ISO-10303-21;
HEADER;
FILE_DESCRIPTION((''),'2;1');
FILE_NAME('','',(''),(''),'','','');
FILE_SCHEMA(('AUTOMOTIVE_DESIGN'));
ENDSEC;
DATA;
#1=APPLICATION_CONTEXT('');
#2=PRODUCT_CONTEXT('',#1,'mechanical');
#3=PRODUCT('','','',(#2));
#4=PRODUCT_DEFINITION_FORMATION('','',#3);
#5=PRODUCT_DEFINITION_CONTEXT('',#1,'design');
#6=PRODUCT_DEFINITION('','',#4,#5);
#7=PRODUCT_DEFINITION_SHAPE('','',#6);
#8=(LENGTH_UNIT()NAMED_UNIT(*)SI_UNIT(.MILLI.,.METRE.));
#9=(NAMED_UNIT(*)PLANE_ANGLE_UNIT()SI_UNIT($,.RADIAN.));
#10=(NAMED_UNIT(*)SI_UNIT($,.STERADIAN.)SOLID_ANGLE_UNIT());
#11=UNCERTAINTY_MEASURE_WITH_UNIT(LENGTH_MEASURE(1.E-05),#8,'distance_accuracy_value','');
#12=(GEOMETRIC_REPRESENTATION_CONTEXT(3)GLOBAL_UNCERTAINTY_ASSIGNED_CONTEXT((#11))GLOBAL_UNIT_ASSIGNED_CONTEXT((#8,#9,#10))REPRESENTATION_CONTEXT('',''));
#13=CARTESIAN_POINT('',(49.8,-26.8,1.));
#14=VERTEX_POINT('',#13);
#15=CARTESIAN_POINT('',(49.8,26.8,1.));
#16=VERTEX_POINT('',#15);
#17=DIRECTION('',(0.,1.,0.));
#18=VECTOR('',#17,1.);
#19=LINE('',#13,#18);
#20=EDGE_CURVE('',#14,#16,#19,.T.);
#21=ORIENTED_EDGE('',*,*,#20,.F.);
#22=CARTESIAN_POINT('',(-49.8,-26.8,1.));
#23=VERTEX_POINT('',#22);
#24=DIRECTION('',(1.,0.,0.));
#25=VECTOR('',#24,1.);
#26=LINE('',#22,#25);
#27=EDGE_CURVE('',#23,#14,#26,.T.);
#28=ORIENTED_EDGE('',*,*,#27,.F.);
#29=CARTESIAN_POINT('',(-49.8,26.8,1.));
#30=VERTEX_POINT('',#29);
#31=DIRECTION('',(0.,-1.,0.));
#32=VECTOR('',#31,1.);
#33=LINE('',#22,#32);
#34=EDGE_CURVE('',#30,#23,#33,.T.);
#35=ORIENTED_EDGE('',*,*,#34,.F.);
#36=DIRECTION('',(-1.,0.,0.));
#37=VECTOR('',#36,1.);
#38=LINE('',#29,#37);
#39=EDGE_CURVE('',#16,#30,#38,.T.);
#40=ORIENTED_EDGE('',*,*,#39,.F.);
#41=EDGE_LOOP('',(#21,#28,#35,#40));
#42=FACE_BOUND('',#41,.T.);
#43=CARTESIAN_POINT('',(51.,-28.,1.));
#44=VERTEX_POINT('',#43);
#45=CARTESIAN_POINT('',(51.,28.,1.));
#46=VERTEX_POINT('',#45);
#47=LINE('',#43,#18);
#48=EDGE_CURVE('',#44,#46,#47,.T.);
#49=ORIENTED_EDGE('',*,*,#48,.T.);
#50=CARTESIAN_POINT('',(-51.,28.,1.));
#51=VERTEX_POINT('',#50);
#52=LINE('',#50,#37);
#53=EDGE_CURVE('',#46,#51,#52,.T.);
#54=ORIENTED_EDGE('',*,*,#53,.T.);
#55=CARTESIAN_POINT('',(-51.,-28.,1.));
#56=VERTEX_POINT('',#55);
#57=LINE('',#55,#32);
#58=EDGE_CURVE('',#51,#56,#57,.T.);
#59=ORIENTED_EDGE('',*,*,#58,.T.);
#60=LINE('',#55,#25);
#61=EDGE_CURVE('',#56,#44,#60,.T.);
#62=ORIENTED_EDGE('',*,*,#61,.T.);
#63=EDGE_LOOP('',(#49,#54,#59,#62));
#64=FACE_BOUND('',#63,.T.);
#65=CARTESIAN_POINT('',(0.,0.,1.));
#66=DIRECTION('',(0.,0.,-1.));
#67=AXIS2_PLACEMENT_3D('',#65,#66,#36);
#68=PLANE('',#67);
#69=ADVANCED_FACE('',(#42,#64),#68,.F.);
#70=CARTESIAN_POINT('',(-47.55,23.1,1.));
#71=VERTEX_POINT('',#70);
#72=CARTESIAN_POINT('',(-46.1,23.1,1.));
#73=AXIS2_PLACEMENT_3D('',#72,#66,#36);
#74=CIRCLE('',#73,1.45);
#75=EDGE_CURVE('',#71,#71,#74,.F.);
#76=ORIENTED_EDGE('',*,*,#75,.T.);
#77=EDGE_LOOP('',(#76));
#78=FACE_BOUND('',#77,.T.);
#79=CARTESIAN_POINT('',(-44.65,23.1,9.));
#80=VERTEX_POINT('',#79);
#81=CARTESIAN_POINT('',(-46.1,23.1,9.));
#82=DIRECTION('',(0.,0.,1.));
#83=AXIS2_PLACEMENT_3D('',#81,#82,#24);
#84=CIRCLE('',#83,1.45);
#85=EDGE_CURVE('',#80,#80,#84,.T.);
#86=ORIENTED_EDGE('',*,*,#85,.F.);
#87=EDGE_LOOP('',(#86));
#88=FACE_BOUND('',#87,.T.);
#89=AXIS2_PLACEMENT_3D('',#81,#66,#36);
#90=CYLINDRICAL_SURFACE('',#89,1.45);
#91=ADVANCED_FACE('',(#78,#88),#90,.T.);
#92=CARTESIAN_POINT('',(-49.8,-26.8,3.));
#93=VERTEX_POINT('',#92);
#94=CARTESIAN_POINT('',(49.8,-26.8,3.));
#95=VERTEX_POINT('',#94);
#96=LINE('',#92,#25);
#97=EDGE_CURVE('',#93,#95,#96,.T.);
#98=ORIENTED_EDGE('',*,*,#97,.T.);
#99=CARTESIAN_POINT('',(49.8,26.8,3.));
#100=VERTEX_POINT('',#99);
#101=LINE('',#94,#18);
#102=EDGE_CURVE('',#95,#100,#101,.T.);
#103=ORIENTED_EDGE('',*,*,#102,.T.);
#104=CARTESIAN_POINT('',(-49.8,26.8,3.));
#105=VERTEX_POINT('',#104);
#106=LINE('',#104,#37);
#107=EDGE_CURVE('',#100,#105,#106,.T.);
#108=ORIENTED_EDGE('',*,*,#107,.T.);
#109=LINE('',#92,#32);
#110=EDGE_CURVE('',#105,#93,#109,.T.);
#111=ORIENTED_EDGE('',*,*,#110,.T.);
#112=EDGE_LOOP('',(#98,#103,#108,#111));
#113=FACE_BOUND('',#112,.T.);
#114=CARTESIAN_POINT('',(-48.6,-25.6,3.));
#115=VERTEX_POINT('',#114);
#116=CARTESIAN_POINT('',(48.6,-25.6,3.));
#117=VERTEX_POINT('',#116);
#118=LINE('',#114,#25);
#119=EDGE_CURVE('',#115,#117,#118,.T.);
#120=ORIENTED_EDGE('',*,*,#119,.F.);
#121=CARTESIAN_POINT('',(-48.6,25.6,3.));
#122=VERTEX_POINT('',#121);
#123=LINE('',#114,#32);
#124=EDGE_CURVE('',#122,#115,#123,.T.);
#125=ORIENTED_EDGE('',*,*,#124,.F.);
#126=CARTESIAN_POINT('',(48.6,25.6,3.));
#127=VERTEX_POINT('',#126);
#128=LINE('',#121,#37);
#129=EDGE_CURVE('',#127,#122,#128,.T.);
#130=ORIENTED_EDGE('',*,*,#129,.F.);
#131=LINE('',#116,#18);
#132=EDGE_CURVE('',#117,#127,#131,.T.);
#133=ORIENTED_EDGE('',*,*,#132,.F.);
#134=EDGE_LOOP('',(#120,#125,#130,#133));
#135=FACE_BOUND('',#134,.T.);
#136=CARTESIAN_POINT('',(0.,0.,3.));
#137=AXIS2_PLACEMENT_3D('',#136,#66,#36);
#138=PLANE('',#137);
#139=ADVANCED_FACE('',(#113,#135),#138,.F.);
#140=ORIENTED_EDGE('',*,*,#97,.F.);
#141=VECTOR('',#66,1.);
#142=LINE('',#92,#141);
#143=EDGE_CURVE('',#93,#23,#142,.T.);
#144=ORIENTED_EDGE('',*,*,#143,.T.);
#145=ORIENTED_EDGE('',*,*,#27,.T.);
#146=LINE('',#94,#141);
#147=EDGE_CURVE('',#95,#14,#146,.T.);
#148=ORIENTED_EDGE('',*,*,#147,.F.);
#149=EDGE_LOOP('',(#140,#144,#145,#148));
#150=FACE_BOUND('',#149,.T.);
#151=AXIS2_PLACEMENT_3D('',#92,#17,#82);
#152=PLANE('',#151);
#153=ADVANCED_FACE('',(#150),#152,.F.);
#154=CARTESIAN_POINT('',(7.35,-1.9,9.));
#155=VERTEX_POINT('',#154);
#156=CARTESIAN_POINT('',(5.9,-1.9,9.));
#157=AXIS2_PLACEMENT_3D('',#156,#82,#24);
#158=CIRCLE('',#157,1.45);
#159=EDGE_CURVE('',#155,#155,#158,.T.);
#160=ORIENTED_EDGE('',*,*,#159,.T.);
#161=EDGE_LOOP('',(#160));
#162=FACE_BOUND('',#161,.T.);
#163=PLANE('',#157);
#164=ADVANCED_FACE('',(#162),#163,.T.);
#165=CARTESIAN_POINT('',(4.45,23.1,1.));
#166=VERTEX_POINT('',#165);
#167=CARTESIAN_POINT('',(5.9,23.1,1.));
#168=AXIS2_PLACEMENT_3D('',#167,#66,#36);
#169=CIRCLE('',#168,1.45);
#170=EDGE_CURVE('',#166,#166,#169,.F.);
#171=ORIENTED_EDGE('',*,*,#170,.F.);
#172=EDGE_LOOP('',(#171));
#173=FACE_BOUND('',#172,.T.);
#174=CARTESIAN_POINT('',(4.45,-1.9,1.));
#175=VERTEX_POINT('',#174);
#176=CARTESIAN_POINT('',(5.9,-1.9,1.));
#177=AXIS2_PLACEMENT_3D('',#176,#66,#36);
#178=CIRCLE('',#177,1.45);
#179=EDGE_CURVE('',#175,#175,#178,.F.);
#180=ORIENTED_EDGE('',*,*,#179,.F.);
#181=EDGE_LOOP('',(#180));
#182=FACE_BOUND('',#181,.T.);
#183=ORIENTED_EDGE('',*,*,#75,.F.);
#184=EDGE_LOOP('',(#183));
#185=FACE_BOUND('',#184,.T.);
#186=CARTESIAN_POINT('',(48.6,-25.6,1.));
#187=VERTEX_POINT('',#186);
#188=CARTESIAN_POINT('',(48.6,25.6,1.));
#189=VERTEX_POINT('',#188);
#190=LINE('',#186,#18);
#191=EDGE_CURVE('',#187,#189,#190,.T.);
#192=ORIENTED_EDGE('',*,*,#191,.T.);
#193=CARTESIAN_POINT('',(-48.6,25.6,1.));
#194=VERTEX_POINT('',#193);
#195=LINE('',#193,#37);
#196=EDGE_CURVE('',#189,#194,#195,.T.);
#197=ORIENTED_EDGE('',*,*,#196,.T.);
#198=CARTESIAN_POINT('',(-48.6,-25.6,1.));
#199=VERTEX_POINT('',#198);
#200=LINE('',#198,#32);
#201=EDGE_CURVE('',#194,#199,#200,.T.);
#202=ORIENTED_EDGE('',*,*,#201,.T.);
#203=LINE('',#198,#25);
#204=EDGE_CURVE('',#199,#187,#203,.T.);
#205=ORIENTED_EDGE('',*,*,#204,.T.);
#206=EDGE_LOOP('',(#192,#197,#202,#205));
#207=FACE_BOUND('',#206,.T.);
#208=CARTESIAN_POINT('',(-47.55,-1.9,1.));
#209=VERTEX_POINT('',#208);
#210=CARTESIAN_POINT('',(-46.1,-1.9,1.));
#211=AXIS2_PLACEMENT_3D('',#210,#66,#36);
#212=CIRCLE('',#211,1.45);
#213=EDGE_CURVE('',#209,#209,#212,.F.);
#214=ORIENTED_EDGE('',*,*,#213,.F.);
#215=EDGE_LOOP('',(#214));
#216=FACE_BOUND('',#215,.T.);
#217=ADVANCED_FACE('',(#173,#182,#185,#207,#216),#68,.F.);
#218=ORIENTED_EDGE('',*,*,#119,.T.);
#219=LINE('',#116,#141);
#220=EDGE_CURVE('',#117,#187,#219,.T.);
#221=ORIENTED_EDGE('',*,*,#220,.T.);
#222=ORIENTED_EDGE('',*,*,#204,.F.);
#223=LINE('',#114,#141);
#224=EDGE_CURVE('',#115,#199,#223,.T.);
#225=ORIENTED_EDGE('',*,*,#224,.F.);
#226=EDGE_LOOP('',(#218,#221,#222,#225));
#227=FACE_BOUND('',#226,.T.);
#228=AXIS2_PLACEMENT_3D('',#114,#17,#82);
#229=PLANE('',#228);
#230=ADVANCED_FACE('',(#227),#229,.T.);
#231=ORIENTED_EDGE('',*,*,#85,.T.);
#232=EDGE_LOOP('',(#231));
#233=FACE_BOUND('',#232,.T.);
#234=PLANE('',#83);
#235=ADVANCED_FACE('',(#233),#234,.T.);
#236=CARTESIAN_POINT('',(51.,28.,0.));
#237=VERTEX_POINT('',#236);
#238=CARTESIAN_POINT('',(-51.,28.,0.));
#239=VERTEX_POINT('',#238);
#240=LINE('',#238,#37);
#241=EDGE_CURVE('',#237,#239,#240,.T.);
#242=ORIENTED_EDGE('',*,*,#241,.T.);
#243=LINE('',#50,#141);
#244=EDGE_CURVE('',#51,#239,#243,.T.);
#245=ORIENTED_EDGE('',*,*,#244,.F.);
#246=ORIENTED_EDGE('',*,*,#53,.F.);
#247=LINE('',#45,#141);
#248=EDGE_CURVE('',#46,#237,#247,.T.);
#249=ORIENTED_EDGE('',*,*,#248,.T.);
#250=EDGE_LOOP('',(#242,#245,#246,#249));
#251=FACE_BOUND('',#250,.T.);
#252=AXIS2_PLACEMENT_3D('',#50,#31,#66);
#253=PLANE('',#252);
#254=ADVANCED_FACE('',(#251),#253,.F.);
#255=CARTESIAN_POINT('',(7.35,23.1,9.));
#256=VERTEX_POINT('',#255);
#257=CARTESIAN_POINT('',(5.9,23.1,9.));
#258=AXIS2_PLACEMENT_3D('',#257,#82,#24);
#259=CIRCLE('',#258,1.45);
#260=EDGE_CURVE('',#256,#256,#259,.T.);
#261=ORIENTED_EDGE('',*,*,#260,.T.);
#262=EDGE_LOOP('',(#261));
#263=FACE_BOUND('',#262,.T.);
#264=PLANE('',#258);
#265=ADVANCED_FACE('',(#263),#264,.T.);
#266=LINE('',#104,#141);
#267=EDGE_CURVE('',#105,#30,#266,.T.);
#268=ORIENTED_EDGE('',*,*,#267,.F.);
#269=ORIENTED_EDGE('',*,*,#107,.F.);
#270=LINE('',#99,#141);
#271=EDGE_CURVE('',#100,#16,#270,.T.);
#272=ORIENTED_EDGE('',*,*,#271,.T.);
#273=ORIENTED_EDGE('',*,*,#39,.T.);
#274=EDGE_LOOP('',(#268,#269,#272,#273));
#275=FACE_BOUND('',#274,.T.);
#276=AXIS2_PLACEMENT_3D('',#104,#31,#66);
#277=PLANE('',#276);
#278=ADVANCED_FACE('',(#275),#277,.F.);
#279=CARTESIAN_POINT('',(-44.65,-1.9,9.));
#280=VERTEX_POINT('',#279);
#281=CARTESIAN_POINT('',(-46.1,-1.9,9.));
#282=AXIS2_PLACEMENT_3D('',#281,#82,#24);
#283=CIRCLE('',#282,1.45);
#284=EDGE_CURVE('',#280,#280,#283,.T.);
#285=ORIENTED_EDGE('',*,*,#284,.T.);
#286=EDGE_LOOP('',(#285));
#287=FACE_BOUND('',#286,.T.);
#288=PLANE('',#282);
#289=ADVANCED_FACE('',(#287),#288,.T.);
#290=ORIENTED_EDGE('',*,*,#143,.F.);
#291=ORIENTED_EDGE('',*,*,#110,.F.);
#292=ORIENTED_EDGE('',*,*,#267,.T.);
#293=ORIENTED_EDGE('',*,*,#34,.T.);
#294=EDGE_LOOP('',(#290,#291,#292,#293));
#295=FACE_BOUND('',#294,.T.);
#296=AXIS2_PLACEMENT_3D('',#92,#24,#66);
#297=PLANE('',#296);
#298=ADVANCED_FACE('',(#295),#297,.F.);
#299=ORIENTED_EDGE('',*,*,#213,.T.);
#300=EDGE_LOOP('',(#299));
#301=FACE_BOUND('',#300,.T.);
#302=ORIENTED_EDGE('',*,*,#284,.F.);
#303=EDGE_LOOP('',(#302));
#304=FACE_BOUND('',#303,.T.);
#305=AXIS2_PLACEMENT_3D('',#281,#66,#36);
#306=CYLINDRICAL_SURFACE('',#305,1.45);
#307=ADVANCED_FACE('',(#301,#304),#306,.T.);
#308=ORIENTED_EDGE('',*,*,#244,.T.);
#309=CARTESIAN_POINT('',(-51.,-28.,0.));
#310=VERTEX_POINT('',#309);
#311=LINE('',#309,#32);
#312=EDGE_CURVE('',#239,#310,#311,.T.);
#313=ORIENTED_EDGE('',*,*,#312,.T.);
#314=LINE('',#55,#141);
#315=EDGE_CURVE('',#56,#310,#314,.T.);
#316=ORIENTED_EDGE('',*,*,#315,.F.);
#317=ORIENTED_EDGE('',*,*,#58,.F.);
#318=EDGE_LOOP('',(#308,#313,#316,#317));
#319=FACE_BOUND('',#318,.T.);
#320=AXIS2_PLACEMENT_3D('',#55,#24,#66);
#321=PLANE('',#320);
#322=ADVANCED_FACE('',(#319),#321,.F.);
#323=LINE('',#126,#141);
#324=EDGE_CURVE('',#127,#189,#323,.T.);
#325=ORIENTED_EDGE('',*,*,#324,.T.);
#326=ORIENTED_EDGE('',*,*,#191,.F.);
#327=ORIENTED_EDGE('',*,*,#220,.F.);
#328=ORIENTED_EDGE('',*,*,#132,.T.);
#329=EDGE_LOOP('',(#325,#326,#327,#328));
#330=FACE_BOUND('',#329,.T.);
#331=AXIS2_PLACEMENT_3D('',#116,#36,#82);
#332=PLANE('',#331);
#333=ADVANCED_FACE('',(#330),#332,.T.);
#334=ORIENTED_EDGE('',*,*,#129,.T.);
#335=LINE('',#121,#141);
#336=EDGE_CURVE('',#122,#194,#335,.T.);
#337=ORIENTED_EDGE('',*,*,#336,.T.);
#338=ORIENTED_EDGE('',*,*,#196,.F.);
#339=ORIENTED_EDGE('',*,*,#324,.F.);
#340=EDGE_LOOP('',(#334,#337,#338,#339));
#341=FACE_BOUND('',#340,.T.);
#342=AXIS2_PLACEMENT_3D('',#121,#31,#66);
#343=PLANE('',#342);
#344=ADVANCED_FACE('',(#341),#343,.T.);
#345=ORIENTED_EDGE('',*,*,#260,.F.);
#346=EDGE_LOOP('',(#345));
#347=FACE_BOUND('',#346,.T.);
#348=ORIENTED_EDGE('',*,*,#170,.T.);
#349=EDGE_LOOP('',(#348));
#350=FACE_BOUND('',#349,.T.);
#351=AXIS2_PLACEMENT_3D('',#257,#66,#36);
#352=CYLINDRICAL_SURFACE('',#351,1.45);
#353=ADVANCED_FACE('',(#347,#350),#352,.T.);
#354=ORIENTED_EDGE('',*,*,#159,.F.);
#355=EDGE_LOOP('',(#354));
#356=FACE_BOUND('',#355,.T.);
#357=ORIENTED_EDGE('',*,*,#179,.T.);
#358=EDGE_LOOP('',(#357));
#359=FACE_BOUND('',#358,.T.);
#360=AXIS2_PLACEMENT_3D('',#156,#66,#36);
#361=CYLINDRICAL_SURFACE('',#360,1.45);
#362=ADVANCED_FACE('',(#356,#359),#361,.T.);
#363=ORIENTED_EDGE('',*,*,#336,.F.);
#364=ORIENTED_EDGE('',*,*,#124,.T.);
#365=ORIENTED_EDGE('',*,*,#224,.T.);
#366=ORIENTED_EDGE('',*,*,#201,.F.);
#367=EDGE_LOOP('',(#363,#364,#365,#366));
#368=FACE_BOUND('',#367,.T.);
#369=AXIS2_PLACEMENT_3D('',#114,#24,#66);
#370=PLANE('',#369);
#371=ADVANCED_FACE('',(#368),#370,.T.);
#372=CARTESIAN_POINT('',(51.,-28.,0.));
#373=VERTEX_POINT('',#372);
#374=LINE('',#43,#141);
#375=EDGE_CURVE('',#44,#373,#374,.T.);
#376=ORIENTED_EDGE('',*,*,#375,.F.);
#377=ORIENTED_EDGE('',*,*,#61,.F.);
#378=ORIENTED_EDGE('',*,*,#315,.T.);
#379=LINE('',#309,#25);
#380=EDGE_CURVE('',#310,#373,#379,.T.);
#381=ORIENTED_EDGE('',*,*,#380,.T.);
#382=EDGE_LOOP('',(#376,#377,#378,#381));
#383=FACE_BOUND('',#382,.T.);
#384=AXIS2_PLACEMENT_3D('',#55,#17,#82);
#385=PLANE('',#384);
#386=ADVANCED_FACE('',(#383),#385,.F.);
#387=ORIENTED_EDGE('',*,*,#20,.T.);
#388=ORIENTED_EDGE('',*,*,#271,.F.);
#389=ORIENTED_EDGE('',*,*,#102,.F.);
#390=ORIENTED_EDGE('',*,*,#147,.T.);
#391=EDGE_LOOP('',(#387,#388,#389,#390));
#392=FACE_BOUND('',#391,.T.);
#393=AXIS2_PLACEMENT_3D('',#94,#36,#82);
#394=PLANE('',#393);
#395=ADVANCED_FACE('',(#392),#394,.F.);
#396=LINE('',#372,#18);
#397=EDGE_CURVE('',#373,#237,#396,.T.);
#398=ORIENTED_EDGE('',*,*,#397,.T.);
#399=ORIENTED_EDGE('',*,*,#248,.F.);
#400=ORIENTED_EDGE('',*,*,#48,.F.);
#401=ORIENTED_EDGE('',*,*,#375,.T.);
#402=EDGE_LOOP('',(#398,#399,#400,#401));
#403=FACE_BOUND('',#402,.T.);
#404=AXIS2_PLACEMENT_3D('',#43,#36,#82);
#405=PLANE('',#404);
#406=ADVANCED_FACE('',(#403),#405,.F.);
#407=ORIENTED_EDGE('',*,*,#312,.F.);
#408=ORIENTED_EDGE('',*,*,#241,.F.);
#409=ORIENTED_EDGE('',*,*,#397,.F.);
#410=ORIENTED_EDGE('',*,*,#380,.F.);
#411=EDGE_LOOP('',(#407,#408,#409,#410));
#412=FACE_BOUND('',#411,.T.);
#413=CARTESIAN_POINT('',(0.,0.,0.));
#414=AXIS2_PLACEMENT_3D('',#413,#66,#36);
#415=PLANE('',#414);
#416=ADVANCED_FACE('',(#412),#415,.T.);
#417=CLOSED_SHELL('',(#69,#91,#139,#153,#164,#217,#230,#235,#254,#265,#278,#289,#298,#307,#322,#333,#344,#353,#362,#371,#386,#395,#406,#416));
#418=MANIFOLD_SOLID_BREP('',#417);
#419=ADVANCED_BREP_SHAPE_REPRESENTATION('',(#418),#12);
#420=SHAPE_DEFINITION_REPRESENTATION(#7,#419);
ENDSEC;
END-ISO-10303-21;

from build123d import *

# Parameters (mm, degrees)
SKETCH1_W        = 102
SKETCH1_H        = 56
PANEL_DEPTH      = 1
SKETCH2_W        = 99.6
SKETCH2_H        = 53.6
SKETCH2_W_2      = 97.2
SKETCH2_H_2      = 51.2
MOUNTS_DEPTH     = 2
SKETCH3_R        = 1.45
ESP_MOUNTS_DEPTH = 8


with BuildPart() as part:
    # Sketch1 → PANEL (new body)
    with BuildSketch(Plane.XY):
        Rectangle(SKETCH1_W, SKETCH1_H)
    extrude(amount=PANEL_DEPTH)

    # Sketch2 → MOUNTS (add)
    with BuildSketch(Plane.XY.offset(1)):
        Rectangle(SKETCH2_W, SKETCH2_H)
        Rectangle(SKETCH2_W_2, SKETCH2_H_2, mode=Mode.SUBTRACT)
    extrude(amount=MOUNTS_DEPTH)

    # Sketch3 → ESP_MOUNTS (add)
    with BuildSketch(Plane.XY.offset(1)):
        with Locations(Location((-46.1, 23.1, 0), (0, 0, 180))):
            Circle(SKETCH3_R)
        with Locations(Location((-46.1, -1.9, 0), (0, 0, 180))):
            Circle(SKETCH3_R)
        with Locations(Location((5.9, 23.1, 0), (0, 0, 180))):
            Circle(SKETCH3_R)
        with Locations(Location((5.9, -1.9, 0), (0, 0, 180))):
            Circle(SKETCH3_R)
    extrude(amount=ESP_MOUNTS_DEPTH)


solid = part.part
